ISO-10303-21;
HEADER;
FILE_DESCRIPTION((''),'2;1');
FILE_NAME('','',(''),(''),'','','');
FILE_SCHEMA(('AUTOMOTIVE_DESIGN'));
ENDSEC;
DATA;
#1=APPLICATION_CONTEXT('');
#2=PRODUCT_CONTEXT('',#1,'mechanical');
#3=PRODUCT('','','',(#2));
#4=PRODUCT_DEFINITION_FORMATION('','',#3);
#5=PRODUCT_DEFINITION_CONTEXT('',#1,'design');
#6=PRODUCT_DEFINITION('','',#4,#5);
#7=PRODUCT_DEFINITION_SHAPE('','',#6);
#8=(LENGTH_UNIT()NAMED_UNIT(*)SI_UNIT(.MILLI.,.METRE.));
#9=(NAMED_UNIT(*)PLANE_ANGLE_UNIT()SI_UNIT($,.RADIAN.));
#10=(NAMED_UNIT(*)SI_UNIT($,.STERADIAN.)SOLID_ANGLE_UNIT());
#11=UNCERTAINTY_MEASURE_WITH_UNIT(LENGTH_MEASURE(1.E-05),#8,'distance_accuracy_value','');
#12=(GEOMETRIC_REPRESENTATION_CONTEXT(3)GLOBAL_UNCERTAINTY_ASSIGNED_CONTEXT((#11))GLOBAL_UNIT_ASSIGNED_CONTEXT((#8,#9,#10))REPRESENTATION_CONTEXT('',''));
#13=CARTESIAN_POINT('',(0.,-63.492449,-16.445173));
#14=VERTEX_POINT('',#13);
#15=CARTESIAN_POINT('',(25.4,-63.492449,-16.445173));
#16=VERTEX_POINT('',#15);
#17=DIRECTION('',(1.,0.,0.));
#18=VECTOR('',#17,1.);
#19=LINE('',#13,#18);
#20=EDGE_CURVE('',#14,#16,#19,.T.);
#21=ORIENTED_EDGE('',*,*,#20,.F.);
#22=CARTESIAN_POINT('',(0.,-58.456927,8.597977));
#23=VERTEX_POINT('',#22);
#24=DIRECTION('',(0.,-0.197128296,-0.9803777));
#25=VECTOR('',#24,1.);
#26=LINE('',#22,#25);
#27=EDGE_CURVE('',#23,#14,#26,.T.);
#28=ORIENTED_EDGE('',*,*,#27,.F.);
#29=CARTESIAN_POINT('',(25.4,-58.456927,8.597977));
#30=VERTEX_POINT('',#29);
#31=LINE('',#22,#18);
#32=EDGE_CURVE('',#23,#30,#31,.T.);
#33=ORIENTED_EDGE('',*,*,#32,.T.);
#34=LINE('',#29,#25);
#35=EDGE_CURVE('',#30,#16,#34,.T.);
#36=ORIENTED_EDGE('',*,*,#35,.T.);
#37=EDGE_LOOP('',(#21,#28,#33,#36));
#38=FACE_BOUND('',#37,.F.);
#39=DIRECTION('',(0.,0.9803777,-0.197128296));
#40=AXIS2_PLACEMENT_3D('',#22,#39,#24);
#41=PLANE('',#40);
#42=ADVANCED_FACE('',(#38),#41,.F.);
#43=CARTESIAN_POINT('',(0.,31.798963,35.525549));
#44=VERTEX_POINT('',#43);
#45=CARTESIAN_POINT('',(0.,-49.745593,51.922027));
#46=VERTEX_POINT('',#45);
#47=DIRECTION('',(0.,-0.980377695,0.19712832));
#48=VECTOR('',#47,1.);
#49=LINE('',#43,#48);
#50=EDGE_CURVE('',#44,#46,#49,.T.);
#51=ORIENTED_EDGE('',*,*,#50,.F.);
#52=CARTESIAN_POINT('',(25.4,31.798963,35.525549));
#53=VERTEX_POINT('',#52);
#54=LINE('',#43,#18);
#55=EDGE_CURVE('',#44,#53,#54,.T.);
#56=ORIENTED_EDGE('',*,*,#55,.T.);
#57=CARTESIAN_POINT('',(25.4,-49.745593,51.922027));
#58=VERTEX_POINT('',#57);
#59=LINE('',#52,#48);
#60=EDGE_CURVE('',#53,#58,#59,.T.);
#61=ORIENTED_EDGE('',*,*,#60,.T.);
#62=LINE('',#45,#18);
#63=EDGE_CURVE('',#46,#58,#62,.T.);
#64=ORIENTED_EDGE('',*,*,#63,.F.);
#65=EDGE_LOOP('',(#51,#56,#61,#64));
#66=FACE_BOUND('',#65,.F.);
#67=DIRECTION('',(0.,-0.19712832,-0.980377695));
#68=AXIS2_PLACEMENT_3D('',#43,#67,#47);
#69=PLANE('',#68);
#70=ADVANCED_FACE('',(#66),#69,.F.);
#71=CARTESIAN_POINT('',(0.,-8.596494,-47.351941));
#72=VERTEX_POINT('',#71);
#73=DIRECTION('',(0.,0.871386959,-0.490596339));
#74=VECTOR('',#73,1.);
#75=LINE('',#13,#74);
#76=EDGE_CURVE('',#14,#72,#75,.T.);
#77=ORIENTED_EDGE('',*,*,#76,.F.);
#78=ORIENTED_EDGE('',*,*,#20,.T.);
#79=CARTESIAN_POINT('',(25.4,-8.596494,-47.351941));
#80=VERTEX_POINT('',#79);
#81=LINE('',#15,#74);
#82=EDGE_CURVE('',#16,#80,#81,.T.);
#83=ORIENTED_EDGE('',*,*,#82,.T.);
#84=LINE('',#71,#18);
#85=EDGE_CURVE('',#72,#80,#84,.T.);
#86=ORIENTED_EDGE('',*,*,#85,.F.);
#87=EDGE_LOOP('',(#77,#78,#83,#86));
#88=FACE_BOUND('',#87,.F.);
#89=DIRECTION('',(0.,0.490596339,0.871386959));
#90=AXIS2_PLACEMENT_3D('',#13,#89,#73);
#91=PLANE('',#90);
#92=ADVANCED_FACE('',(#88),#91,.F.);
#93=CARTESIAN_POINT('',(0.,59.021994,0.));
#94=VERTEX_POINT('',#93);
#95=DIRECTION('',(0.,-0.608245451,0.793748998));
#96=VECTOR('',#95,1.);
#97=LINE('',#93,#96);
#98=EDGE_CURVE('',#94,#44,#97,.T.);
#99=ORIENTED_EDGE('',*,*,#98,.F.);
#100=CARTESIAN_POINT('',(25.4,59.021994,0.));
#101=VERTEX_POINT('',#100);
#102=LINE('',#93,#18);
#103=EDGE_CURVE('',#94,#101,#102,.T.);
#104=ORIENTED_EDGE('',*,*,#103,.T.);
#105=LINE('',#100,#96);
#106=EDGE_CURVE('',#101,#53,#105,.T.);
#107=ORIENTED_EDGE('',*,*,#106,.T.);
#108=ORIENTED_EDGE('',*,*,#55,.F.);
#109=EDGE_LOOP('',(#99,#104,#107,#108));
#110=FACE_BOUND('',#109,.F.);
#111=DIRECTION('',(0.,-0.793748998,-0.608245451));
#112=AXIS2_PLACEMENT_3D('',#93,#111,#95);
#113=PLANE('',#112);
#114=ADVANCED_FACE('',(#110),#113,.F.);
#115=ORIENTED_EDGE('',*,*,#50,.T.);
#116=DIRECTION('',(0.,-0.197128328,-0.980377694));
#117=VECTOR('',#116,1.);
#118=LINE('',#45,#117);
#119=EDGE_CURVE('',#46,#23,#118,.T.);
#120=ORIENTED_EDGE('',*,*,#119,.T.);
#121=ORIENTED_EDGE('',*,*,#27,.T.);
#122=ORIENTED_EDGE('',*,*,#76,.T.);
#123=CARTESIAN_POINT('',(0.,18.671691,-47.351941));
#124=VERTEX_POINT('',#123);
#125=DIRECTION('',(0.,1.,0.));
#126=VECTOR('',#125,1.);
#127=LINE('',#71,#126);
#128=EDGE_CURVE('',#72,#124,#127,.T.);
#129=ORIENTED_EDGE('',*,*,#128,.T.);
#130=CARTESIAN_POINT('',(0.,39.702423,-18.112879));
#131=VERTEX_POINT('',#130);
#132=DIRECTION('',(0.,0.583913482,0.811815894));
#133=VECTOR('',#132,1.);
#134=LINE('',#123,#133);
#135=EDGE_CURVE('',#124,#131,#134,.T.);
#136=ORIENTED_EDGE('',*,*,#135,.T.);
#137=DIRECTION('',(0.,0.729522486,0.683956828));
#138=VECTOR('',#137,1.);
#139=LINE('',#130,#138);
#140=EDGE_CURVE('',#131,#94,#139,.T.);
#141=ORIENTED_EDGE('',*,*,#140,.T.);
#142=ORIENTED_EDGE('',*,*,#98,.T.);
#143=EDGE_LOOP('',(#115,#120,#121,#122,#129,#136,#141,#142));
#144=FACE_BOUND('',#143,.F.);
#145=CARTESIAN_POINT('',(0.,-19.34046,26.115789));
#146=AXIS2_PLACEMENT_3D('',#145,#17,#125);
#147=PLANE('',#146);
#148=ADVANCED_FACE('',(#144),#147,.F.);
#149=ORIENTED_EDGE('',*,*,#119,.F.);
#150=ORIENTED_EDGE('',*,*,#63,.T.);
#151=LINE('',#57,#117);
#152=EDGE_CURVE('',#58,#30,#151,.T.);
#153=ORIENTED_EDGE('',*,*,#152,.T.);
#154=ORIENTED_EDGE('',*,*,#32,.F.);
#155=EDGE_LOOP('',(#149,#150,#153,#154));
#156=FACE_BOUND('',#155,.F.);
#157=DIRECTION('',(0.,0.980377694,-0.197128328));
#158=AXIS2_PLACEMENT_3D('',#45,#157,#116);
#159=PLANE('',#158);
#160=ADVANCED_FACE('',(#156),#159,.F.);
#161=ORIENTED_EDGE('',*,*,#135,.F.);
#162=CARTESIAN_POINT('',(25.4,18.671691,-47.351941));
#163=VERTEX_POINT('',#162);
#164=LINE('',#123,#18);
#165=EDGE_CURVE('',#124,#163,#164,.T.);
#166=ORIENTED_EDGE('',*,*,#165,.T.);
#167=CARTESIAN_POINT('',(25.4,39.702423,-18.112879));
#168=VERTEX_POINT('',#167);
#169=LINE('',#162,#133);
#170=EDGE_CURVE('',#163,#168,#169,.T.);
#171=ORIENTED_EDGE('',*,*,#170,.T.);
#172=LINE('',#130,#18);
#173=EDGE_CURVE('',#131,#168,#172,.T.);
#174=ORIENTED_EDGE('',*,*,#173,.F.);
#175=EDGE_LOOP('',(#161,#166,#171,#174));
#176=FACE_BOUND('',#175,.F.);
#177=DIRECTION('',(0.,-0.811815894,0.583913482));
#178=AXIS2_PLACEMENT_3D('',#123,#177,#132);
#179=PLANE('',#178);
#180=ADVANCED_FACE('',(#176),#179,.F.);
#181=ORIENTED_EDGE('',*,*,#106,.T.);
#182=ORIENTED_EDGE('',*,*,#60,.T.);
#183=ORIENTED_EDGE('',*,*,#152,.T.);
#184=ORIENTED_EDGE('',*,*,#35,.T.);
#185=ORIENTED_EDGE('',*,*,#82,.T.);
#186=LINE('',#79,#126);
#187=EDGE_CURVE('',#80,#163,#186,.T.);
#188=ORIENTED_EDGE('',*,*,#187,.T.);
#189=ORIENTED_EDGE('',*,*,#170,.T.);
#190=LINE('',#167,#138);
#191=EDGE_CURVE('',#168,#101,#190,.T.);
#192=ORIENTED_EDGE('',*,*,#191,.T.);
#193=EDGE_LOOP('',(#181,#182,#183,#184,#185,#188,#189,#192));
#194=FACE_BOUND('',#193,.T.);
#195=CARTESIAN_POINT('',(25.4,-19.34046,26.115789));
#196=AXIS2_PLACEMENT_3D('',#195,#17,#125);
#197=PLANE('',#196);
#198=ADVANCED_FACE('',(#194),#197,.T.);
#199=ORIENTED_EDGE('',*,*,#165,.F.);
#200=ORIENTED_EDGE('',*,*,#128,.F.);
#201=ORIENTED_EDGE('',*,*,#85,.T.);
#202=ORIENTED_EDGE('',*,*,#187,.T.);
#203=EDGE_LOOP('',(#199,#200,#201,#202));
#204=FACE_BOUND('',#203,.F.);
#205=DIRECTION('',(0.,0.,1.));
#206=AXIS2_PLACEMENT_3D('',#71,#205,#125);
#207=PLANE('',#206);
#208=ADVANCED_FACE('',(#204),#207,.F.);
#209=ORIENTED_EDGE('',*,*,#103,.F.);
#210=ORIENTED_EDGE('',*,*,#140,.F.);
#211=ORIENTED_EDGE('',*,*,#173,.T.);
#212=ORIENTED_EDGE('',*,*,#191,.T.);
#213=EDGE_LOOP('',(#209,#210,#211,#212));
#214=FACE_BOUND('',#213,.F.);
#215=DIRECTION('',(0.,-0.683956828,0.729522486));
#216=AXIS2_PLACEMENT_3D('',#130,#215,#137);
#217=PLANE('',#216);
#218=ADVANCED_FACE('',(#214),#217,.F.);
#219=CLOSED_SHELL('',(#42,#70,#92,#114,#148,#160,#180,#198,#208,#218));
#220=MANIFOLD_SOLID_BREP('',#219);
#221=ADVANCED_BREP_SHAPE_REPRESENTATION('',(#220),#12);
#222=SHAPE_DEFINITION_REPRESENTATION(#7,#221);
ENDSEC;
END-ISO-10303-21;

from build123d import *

# Parameters (mm, degrees)
F1_DEPTH = 25.4


with BuildPart() as f1:
    # F0 (on Right) → F1 (new body)
    with BuildSketch(Plane.YZ):
        with BuildLine():
            ThreePointArc((-24.040065, -2.404749), (-15.322377, 2.307721), (-8.596494, 9.585629))
            Line((-8.596494, 9.585629), (31.798963, 35.525549))
            Line((31.798963, 35.525549), (-49.745593, 51.922027))
            Line((-49.745593, 51.922027), (-58.456927, 8.597977))
            ThreePointArc((-58.456927, 8.597977), (-43.072743, -2.609687), (-24.040065, -2.404749))
        make_face()
        with BuildLine():
            Line((-8.596494, -47.351941), (-24.040065, -2.404749))
            ThreePointArc((-24.040065, -2.404749), (-43.072743, -2.609687), (-58.456927, 8.597977))
            Line((-58.456927, 8.597977), (-63.492449, -16.445173))
            Line((-63.492449, -16.445173), (-8.596494, -47.351941))
        make_face()
        with BuildLine():
            Line((-8.596494, -47.351941), (-8.596494, 9.585629))
            ThreePointArc((-8.596494, 9.585629), (-15.322377, 2.307721), (-24.040065, -2.404749))
            Line((-24.040065, -2.404749), (-8.596494, -47.351941))
        make_face()
        Polygon((18.671691, -6.052155), (-8.596494, 9.585629), (-8.596494, -47.351941), (18.671691, -47.351941), align=None)
        Polygon((39.702423, -18.112879), (18.671691, -6.052155), (18.671691, -47.351941), align=None)
        Polygon((18.671691, 9.585629), (-8.596494, 9.585629), (18.671691, -6.052155), align=None)
        Polygon((31.798963, 35.525549), (-8.596494, 9.585629), (18.671691, 9.585629), (18.671691, -6.052155), (39.702423, -18.112879), (59.021994, 0), align=None)
    extrude(amount=F1_DEPTH)


solid = f1.part
